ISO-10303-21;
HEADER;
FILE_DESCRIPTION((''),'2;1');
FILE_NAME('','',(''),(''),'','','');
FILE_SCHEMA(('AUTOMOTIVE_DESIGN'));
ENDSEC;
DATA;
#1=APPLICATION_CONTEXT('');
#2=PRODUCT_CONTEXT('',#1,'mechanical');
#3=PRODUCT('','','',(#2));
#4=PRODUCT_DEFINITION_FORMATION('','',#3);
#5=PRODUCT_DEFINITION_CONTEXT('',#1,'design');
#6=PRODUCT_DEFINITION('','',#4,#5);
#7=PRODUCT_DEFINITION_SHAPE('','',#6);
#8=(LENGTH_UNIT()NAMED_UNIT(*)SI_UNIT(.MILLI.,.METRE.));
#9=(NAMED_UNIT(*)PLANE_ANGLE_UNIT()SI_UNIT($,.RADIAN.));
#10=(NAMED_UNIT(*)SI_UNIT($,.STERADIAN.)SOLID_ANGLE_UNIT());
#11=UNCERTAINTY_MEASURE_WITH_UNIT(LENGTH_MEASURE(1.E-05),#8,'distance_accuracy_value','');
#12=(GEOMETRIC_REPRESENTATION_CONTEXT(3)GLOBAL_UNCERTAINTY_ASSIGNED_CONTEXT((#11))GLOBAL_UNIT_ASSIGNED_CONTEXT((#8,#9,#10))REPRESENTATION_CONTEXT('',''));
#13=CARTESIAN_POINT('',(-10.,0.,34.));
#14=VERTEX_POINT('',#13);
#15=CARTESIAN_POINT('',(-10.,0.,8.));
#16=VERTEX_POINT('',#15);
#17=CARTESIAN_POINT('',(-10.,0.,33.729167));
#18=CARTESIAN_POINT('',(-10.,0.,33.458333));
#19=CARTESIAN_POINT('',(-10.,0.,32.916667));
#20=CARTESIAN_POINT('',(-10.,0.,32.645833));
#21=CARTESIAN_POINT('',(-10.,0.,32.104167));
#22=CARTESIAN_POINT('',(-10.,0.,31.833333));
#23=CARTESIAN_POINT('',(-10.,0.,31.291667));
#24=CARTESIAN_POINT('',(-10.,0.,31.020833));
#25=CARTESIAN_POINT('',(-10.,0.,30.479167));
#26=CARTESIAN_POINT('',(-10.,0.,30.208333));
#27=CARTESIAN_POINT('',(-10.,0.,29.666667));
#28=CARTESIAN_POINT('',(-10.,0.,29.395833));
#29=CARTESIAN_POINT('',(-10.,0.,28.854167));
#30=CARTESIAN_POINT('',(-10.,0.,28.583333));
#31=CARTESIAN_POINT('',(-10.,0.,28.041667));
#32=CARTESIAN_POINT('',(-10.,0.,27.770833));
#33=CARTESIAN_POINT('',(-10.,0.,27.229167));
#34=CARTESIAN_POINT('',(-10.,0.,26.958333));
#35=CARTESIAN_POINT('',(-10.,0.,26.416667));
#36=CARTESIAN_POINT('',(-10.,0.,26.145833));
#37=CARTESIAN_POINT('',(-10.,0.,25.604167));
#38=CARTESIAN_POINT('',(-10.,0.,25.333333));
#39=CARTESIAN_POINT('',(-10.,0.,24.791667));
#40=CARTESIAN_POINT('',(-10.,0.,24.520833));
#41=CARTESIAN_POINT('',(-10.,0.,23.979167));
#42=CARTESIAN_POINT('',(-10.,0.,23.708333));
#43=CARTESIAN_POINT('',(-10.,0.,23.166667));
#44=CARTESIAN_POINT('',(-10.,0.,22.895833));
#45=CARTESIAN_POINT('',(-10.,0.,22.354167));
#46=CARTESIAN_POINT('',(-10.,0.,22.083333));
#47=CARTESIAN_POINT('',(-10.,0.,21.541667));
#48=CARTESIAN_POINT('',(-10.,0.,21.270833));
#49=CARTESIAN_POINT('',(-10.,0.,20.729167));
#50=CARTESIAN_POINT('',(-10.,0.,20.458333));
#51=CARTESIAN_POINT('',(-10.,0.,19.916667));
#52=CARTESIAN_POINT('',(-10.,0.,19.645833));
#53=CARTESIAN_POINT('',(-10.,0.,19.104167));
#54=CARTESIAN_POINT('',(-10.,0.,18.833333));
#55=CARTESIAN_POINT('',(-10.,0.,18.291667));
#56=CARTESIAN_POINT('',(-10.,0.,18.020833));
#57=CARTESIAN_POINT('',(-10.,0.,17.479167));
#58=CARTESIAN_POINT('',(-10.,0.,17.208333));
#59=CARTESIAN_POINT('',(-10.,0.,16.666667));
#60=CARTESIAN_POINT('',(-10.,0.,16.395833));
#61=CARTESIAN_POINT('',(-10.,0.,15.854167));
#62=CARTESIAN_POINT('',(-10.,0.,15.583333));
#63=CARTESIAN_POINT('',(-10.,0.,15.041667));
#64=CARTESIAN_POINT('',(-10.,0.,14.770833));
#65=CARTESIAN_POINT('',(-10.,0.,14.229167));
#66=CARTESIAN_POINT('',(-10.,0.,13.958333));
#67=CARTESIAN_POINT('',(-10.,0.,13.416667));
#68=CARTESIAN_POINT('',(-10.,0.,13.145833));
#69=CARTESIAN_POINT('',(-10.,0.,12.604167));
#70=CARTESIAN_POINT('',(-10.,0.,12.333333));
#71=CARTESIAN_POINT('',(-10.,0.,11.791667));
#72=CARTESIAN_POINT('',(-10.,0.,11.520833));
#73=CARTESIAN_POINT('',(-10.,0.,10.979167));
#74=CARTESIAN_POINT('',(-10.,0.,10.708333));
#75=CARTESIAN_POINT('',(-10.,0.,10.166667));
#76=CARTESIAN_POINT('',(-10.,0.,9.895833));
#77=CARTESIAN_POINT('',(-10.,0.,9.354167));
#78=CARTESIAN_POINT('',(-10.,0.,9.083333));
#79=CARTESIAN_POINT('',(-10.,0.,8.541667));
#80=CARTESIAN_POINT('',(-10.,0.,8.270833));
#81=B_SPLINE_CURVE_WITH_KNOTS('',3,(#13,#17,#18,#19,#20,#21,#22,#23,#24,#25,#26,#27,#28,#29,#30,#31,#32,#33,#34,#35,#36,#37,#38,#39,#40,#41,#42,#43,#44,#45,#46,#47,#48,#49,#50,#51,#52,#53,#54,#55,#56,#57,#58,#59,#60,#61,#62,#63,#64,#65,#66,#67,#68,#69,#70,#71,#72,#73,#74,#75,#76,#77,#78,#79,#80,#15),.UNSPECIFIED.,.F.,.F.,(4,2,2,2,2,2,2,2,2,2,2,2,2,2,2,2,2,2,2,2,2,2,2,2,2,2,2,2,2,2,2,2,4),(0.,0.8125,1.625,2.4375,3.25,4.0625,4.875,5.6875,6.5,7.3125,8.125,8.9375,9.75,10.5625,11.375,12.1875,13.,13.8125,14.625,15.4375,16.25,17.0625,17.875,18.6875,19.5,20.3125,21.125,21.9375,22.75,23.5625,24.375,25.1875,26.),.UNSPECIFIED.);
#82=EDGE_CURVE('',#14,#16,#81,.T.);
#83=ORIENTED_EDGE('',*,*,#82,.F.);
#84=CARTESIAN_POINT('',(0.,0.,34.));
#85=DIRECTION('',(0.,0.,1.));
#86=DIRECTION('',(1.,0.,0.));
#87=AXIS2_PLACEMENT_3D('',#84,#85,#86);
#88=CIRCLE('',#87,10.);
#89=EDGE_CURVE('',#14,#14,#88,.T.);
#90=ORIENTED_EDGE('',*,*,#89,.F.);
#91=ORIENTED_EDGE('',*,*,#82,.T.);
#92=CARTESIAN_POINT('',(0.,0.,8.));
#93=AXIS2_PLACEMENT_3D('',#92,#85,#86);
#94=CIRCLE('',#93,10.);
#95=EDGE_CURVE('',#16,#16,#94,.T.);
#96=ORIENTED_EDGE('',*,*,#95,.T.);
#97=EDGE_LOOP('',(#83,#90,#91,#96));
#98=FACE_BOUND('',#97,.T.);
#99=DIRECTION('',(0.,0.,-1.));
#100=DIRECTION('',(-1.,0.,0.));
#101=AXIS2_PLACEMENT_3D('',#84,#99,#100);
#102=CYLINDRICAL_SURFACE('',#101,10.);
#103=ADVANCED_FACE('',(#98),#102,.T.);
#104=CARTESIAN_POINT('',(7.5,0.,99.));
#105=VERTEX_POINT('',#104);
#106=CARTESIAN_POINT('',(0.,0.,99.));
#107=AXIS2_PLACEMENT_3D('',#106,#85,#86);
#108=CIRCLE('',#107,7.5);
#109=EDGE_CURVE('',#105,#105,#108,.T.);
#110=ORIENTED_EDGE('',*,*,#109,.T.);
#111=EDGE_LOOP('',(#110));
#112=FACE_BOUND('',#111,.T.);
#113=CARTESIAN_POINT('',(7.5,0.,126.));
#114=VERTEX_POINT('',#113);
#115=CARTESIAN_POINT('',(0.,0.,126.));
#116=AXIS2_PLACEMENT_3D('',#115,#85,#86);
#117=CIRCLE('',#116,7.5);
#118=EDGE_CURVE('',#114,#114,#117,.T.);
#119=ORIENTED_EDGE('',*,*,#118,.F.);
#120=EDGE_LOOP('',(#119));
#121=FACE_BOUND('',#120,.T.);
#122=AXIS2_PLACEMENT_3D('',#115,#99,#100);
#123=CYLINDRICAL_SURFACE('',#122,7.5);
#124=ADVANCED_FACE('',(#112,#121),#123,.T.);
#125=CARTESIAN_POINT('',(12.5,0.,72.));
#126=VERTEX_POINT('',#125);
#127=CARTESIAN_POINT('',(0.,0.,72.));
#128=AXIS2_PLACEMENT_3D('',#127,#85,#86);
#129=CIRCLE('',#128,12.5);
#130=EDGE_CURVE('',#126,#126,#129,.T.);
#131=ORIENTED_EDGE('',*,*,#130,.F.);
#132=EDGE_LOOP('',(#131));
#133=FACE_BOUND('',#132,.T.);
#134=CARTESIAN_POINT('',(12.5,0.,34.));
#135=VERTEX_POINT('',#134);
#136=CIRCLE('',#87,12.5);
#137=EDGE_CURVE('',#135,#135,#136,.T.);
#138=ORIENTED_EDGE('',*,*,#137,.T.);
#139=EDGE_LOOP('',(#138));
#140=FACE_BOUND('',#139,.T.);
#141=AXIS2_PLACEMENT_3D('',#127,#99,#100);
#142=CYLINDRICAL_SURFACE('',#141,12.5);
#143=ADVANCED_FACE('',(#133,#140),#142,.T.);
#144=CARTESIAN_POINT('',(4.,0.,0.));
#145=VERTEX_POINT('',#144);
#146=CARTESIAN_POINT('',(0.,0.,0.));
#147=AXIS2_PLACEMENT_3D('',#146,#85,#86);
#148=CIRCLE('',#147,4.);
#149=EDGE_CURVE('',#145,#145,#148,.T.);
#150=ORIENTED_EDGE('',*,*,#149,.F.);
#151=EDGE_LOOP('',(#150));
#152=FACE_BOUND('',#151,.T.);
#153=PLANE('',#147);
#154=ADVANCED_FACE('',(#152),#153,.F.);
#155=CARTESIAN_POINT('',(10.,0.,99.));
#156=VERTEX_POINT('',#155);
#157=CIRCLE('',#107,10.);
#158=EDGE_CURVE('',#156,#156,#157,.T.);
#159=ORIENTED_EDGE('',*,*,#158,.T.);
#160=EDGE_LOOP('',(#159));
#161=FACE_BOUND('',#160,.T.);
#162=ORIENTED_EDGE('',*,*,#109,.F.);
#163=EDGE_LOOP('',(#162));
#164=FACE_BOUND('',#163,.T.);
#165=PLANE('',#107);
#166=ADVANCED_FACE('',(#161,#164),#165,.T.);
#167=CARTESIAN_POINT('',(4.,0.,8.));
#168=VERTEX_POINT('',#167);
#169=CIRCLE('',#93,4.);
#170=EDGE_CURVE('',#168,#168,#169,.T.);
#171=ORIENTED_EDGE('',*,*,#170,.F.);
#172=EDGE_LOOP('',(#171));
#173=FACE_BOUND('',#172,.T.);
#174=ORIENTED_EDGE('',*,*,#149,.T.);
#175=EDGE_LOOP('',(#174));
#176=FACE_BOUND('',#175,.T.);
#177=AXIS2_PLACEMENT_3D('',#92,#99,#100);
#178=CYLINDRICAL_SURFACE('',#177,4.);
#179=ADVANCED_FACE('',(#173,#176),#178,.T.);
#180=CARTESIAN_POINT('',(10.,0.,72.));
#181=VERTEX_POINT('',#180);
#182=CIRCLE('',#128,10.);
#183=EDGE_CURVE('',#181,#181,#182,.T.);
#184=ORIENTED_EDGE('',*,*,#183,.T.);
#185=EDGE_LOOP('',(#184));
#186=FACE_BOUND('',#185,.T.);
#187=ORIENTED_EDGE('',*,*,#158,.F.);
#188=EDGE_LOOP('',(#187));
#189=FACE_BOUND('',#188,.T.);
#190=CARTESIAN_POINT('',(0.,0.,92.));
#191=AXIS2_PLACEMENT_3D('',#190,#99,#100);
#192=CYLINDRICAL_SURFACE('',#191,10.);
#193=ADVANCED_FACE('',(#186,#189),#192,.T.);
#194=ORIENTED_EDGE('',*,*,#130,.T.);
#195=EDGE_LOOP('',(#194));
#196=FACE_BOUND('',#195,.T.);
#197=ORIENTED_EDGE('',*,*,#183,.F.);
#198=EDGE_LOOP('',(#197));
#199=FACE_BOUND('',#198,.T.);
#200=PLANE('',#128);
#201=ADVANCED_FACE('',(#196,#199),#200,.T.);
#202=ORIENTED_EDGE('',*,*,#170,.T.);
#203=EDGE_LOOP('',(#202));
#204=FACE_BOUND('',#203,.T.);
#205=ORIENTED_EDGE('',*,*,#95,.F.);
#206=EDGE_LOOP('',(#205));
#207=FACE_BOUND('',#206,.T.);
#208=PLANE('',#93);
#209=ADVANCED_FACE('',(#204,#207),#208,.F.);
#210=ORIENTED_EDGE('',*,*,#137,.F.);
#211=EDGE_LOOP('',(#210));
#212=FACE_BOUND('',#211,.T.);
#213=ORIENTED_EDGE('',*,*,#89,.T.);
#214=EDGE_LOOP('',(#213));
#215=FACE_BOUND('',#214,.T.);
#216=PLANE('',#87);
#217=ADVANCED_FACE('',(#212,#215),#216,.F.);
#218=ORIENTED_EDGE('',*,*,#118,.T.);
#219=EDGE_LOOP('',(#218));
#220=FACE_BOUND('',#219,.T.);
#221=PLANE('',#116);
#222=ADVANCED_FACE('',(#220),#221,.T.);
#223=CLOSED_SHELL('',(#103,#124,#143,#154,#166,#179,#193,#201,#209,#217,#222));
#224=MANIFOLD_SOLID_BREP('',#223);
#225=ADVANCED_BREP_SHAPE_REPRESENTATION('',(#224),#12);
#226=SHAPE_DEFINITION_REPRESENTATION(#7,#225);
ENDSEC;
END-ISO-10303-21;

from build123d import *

# Parameters (mm, degrees)
SKETCH1_R           = 4
BOSS_EXTRUDE1_DEPTH = 8
SKETCH2_R           = 10
BOSS_EXTRUDE2_DEPTH = 26
SKETCH3_R           = 12.5
BOSS_EXTRUDE3_DEPTH = 38
SKETCH4_R           = 10
BOSS_EXTRUDE4_DEPTH = 20
SKETCH5_R           = 7.5
BOSS_EXTRUDE5_DEPTH = 34
SKETCH8_R           = 10
SKETCH8_R_2         = 7.5
BOSS_EXTRUDE6_DEPTH = 7


with BuildPart() as part:
    # Sketch1 → Boss-Extrude1 (new body)
    with BuildSketch(Plane.XY):
        Circle(SKETCH1_R)
    extrude(amount=BOSS_EXTRUDE1_DEPTH)

    # Sketch2 → Boss-Extrude2 (add)
    with BuildSketch(Plane.XY.offset(8)):
        with Locations(Location((0, 0, 0), (0, 0, 180))):
            Circle(SKETCH2_R)
    extrude(amount=BOSS_EXTRUDE2_DEPTH)

    # Sketch3 → Boss-Extrude3 (add)
    with BuildSketch(Plane.XY.offset(34)):
        Circle(SKETCH3_R)
    extrude(amount=BOSS_EXTRUDE3_DEPTH)

    # Sketch4 → Boss-Extrude4 (add)
    with BuildSketch(Plane.XY.offset(72)):
        with Locations(Location((0, 0, 0), (0, 0, 180))):
            Circle(SKETCH4_R)
    extrude(amount=BOSS_EXTRUDE4_DEPTH)

    # Sketch5 → Boss-Extrude5 (add)
    with BuildSketch(Plane.XY.offset(92)):
        Circle(SKETCH5_R)
    extrude(amount=BOSS_EXTRUDE5_DEPTH)

    # Sketch8 → Boss-Extrude6 (add)
    with BuildSketch(Plane.XY.offset(92)):
        with Locations(Location((0, 0, 0), (0, 0, 180))):
            Circle(SKETCH8_R)
        Circle(SKETCH8_R_2, mode=Mode.SUBTRACT)
    extrude(amount=BOSS_EXTRUDE6_DEPTH)


solid = part.part
